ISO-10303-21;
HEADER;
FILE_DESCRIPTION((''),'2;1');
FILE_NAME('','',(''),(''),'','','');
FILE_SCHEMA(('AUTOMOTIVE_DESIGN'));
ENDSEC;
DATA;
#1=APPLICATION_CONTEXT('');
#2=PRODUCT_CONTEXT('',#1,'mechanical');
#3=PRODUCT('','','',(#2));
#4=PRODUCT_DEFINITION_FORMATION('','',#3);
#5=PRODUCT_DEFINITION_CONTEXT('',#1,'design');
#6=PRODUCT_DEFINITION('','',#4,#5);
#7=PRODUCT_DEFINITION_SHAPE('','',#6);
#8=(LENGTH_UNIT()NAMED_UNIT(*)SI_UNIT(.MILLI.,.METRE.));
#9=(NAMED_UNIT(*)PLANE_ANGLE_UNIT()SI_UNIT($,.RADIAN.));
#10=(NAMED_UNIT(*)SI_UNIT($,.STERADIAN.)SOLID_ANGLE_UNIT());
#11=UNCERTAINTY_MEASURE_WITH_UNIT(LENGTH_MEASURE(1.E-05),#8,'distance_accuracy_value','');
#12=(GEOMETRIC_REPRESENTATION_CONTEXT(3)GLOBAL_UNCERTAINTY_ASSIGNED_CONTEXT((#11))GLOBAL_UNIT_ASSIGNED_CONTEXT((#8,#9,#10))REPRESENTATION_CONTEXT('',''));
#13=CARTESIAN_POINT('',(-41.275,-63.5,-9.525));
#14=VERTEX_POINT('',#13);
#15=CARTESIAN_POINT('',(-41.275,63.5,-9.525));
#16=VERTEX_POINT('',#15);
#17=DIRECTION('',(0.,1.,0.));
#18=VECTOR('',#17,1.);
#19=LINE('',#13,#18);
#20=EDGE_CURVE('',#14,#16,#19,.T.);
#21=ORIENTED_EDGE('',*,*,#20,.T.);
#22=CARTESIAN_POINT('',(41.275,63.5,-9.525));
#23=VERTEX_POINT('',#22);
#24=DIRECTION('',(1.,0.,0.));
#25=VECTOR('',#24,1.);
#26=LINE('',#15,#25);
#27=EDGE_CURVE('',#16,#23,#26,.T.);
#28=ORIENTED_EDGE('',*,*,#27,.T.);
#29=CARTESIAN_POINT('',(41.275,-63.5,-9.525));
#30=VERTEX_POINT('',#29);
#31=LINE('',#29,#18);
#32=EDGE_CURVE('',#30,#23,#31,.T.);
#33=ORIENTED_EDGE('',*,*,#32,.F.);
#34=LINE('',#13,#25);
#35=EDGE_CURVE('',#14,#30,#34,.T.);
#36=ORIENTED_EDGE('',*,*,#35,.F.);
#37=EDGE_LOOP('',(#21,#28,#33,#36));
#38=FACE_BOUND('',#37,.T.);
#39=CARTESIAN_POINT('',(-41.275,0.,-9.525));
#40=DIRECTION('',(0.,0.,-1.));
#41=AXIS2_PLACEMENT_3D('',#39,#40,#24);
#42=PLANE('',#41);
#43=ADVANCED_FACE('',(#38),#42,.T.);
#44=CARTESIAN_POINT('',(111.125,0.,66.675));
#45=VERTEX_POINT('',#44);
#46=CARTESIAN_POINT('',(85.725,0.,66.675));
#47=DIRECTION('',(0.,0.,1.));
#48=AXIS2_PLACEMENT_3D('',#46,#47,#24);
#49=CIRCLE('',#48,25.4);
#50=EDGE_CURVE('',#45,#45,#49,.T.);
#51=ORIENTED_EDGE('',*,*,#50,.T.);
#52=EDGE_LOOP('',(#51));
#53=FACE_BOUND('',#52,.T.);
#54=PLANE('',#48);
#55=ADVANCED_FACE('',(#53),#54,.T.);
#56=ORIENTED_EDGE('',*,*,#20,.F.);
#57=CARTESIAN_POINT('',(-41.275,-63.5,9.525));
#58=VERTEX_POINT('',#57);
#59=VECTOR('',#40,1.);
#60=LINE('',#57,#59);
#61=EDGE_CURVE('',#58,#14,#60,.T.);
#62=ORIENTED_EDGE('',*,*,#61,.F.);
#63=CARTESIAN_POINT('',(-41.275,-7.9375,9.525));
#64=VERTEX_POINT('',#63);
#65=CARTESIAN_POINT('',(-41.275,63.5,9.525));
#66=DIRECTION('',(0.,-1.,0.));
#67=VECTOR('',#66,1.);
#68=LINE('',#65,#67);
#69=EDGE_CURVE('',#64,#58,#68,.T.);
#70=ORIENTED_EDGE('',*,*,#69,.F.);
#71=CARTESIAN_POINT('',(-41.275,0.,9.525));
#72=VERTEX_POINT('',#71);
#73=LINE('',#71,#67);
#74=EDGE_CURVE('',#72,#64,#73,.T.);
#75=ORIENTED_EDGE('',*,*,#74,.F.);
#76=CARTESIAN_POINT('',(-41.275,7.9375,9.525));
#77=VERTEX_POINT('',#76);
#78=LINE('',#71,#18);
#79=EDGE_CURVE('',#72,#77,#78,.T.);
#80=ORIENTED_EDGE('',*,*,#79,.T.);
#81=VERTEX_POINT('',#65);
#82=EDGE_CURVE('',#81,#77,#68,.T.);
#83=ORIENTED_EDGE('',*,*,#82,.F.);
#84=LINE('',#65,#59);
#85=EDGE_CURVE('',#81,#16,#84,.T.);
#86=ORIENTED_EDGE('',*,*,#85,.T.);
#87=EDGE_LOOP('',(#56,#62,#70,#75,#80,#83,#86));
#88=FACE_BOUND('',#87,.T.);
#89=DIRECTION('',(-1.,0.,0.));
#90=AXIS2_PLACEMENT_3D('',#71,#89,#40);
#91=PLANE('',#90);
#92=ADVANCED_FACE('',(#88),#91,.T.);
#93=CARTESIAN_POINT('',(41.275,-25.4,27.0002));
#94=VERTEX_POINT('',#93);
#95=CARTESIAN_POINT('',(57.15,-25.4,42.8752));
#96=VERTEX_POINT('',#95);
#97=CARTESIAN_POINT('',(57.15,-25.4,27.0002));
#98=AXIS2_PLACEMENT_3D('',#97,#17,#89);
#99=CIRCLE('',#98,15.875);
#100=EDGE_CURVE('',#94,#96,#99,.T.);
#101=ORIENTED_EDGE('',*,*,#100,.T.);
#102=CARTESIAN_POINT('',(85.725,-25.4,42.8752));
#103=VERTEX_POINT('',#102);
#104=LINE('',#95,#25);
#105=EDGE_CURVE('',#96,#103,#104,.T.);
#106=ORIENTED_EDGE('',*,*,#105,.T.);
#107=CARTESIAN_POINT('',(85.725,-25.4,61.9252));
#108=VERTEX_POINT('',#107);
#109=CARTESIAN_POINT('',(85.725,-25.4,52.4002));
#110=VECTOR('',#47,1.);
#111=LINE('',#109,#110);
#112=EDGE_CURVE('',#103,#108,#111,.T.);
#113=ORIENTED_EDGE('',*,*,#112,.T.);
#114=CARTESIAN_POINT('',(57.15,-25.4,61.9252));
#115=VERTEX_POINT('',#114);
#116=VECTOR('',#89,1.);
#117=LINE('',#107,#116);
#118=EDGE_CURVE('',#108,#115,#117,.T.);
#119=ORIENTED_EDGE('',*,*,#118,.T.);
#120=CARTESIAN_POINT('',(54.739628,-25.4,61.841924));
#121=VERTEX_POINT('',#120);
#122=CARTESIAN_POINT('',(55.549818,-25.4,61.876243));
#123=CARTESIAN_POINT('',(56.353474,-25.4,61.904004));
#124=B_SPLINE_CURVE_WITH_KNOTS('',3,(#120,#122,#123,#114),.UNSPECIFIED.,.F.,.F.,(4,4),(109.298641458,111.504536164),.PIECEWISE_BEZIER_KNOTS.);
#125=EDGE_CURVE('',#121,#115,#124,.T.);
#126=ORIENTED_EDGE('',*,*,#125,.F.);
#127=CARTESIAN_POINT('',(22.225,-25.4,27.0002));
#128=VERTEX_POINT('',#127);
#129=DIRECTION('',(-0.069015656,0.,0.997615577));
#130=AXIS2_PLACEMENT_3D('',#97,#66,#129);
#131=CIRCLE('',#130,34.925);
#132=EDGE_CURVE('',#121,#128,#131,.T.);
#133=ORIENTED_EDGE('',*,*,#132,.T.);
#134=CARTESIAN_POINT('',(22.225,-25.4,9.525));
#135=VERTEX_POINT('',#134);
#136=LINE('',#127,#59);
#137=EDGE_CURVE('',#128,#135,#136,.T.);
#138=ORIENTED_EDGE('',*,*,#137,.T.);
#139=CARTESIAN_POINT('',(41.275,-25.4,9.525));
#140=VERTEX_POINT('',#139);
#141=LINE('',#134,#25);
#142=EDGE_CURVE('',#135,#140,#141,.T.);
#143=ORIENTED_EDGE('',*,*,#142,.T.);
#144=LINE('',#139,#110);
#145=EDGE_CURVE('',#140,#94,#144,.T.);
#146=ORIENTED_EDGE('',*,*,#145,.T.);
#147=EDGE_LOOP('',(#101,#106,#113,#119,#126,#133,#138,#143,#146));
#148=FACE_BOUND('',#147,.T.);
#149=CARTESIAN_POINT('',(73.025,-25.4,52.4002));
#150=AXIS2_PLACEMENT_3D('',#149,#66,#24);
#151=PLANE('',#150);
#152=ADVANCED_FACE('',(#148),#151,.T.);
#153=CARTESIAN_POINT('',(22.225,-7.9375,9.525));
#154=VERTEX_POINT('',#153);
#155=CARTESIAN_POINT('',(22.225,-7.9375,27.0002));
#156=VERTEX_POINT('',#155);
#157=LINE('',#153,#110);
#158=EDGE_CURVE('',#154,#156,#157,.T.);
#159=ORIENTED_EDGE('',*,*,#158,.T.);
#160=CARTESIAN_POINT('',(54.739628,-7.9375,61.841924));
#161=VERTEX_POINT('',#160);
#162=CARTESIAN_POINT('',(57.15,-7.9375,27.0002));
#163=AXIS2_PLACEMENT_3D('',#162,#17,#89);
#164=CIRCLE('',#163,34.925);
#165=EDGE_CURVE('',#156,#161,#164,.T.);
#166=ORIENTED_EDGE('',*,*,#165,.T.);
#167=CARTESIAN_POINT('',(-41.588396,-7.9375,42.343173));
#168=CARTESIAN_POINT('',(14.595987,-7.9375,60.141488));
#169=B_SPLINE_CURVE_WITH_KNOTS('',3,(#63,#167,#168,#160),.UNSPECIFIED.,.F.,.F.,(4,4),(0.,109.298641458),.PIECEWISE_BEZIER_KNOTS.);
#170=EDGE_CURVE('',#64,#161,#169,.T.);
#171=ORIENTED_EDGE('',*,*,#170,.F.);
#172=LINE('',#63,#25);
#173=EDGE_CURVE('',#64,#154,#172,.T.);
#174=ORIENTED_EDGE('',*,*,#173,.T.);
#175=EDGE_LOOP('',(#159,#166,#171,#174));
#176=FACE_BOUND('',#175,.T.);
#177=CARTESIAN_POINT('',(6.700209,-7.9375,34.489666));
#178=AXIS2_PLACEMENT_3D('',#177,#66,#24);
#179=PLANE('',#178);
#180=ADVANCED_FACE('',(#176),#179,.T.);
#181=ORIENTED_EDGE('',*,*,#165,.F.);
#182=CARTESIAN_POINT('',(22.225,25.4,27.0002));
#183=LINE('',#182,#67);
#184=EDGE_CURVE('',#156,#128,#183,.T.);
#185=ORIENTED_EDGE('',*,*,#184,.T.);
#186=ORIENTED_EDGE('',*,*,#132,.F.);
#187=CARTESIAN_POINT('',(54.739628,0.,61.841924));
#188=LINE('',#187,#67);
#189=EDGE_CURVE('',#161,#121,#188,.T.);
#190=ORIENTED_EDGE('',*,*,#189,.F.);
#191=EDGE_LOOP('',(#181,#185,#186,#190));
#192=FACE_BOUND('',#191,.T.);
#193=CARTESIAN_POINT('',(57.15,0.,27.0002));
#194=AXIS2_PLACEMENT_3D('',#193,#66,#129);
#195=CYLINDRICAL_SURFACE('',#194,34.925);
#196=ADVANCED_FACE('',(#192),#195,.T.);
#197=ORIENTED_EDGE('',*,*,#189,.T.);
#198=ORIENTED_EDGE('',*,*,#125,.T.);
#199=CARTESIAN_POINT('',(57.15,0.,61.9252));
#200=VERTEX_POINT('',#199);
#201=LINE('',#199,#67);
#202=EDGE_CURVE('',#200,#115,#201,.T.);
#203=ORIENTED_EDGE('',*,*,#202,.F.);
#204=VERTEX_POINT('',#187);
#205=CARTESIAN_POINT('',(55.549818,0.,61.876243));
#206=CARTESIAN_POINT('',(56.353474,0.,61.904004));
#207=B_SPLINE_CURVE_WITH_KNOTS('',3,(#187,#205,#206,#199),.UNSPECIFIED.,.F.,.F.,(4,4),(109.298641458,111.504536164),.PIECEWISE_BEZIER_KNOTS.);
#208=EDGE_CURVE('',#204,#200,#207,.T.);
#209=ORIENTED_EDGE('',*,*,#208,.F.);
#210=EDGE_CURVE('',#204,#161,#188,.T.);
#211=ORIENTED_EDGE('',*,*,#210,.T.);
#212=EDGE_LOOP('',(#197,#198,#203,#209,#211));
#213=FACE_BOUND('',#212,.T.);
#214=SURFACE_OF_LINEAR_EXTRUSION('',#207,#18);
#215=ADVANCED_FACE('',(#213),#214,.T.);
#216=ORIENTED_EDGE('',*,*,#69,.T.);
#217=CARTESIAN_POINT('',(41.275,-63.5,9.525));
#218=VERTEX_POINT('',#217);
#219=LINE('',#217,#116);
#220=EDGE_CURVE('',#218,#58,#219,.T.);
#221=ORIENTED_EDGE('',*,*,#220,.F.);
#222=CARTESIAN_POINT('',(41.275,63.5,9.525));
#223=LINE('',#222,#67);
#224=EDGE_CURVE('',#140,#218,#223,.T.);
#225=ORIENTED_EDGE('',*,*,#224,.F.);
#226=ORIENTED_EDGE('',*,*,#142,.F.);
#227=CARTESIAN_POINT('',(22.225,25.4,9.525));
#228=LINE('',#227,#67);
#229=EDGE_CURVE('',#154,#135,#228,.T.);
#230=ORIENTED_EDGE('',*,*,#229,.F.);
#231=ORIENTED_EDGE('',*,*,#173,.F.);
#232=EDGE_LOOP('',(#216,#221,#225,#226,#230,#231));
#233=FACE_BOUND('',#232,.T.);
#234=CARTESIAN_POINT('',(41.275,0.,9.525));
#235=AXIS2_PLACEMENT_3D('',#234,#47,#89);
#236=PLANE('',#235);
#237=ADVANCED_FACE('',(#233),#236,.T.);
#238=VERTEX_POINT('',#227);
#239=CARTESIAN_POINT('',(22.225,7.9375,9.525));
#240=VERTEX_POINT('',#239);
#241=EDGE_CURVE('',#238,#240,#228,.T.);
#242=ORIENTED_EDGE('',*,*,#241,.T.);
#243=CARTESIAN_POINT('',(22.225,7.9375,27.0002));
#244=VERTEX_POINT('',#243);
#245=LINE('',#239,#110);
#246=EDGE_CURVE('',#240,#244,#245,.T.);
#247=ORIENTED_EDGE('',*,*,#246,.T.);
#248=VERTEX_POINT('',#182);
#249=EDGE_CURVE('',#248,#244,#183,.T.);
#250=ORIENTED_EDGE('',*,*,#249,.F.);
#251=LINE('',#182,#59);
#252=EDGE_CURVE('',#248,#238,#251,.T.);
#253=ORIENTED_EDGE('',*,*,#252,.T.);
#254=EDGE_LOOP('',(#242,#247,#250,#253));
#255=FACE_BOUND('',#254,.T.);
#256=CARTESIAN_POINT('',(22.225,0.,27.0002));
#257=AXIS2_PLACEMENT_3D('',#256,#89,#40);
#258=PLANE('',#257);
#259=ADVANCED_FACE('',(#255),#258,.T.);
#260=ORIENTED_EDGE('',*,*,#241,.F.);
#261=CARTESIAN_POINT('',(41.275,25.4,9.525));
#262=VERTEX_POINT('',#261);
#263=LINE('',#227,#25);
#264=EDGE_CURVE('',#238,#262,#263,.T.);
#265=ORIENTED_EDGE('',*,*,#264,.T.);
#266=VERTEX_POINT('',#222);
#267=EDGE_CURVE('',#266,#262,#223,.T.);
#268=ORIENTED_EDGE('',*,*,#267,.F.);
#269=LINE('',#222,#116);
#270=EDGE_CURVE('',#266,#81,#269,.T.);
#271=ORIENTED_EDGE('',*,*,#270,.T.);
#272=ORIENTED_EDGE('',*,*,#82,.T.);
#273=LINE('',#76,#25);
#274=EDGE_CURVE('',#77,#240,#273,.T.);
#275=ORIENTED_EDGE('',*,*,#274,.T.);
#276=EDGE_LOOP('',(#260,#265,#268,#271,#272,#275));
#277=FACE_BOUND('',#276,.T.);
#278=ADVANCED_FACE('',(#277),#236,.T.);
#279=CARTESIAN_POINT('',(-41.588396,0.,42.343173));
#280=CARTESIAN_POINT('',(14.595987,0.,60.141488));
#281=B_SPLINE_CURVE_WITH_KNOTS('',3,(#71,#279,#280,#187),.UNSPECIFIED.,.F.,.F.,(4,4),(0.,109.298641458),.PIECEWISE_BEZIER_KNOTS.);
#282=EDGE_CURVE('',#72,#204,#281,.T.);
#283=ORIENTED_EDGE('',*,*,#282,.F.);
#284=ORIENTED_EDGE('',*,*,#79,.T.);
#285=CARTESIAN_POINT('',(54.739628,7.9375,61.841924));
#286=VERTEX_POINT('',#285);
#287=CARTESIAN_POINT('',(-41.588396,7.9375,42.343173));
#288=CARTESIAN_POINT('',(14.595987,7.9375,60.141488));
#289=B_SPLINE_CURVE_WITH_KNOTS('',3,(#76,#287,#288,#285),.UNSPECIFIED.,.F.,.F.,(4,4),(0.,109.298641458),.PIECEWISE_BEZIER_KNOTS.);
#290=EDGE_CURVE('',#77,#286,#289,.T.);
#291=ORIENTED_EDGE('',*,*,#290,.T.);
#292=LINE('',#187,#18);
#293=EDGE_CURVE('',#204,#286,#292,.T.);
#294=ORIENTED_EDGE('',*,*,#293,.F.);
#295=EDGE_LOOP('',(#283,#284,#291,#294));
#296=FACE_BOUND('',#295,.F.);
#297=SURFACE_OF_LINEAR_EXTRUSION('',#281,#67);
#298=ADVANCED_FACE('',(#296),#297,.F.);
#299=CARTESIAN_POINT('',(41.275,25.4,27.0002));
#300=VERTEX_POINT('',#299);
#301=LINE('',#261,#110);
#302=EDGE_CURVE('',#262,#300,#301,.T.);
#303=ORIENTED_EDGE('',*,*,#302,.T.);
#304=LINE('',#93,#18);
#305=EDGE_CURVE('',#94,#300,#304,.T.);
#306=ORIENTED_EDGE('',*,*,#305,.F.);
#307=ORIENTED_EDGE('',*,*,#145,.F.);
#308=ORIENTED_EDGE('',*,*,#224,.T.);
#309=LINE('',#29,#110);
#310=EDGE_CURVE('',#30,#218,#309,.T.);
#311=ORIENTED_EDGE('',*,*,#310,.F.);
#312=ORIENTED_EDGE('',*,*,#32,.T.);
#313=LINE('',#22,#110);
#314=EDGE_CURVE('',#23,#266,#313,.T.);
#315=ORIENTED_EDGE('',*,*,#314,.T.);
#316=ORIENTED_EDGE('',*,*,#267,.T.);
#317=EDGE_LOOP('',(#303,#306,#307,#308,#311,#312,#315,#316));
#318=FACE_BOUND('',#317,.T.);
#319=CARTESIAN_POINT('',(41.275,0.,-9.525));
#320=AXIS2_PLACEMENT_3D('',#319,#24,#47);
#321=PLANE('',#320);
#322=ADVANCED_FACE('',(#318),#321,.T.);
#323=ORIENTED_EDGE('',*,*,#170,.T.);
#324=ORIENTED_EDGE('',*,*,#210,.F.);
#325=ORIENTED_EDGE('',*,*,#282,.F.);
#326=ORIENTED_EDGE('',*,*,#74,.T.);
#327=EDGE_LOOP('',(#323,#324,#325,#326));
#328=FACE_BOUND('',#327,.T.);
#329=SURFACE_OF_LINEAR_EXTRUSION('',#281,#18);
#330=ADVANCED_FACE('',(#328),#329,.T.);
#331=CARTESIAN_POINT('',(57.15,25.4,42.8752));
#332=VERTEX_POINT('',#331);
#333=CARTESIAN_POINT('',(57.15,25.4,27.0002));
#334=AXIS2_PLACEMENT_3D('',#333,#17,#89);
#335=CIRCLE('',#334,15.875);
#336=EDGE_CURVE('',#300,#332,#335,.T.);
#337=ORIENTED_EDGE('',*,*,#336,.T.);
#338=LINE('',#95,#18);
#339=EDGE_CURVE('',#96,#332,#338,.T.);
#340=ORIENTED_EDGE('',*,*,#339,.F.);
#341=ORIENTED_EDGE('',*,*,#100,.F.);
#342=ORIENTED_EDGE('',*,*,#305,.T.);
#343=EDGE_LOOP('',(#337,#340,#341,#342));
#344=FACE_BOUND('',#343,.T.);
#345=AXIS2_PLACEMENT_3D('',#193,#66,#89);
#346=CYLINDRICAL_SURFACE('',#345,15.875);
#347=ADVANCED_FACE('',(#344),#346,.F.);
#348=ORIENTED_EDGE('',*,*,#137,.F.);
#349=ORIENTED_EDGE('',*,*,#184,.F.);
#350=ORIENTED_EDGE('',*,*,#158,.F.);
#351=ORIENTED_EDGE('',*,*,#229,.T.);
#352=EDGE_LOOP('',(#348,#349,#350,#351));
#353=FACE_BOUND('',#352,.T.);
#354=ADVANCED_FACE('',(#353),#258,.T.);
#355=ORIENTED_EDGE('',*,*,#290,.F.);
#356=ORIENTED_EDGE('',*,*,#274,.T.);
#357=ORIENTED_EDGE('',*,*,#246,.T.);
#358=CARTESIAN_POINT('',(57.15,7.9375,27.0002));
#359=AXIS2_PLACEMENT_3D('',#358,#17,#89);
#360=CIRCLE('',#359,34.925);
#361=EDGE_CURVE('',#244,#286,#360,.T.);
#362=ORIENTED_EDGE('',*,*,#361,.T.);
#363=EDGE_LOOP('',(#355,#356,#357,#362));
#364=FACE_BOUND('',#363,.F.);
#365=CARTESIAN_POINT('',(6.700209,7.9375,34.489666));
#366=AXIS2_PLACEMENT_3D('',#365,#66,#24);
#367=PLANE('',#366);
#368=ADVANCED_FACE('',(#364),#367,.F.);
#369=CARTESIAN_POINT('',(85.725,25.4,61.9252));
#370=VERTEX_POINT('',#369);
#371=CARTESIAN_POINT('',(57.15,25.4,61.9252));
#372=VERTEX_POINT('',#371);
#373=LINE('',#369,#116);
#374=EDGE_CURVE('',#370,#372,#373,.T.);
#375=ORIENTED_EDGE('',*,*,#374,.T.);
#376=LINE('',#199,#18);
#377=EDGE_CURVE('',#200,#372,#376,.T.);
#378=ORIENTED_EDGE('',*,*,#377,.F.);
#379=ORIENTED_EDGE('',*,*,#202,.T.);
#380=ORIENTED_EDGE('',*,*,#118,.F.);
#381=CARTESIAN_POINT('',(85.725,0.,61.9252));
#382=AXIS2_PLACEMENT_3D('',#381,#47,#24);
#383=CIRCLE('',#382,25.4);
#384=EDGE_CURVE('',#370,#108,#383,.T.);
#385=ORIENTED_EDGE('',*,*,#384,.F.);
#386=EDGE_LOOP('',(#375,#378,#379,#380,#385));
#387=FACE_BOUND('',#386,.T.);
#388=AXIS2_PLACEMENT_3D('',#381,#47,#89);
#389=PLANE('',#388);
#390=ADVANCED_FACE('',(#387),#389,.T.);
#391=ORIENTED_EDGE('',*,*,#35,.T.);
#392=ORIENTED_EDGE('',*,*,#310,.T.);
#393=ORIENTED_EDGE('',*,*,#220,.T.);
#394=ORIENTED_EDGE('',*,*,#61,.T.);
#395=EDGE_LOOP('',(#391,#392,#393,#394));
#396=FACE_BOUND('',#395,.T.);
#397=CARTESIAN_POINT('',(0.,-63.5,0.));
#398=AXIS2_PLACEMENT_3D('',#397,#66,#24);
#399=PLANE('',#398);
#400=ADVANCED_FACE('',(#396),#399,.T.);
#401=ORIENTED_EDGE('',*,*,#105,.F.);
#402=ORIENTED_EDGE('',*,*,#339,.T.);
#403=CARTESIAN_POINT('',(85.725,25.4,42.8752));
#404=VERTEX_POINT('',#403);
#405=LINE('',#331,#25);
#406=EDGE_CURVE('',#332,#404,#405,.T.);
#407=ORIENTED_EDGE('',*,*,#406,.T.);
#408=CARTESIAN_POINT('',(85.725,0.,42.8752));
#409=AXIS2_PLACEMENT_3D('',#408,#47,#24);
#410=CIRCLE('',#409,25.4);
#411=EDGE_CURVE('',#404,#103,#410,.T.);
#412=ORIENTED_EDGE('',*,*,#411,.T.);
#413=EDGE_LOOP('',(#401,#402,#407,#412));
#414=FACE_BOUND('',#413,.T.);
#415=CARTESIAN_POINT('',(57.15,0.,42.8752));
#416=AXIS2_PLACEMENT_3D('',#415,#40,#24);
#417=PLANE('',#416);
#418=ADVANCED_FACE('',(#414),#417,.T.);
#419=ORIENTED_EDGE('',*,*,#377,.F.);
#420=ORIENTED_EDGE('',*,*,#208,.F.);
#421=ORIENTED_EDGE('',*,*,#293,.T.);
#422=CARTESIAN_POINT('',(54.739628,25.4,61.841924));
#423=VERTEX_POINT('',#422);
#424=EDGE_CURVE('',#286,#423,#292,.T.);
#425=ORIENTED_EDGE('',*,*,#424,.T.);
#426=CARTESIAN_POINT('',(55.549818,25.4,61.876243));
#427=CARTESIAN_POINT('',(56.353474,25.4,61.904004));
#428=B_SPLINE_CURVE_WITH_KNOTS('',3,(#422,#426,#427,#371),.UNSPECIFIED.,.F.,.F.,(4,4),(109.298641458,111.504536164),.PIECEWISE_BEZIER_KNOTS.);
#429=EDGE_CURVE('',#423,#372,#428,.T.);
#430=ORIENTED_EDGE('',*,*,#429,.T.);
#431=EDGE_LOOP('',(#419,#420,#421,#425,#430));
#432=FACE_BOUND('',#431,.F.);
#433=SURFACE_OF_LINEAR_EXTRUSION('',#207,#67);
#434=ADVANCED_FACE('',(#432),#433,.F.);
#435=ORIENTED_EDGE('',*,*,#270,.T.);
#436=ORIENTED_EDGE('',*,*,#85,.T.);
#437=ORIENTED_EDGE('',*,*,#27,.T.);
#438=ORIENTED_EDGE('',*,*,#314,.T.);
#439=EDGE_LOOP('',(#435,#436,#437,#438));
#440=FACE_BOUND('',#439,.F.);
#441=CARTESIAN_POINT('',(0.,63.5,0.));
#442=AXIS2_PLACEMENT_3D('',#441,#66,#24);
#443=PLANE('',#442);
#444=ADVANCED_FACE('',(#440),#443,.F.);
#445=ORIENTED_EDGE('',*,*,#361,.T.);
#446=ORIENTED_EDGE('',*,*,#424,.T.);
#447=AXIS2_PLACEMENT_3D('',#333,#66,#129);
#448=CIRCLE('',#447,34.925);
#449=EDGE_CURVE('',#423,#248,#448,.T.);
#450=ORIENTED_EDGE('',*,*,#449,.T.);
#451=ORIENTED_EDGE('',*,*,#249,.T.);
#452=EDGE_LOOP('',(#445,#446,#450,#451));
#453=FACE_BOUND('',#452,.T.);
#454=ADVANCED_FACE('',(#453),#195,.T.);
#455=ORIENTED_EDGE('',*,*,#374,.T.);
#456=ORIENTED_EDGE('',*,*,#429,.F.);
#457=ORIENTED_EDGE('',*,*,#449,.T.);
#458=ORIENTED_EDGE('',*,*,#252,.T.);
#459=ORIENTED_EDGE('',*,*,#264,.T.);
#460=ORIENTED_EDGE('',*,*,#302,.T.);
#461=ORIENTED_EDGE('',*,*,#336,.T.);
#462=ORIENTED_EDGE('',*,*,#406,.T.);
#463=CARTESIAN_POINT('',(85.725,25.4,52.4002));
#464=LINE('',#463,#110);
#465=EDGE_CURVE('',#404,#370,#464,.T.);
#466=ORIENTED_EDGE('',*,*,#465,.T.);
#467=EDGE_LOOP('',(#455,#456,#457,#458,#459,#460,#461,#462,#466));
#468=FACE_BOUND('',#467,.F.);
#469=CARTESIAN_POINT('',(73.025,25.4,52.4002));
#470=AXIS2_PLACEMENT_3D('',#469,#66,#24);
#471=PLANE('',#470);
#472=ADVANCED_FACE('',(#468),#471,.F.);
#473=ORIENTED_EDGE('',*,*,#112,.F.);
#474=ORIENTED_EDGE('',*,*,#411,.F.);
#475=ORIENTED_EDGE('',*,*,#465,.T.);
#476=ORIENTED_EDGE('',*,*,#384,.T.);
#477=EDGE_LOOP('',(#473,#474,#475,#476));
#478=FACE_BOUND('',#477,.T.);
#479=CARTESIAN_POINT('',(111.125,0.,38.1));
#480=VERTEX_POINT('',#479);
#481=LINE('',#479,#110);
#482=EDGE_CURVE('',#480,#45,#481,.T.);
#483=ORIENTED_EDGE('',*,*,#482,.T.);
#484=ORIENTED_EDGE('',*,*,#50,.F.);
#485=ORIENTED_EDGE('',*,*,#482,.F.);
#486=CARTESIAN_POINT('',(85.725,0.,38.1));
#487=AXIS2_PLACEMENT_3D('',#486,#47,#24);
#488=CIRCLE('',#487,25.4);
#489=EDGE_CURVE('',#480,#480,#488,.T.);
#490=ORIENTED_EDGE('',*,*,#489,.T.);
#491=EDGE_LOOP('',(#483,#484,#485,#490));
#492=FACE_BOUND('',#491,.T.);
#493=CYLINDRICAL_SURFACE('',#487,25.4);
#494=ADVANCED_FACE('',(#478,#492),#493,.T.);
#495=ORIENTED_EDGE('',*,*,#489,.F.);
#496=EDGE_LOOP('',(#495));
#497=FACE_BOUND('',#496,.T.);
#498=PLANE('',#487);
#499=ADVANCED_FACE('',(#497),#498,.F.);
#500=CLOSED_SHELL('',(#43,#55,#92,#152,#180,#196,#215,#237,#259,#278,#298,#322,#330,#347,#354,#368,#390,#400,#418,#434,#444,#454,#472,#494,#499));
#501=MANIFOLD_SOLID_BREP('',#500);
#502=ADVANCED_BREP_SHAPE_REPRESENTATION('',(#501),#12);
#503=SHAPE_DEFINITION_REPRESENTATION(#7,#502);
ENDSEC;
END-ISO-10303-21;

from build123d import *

# Parameters (mm, degrees)
F1_DEPTH = 63.5
F0_W     = 25.4
F0_H     = 19.05
F2_DEPTH = 25.4
F3_DEPTH = 7.9375


with BuildPart() as f1:
    # F0 (on Front) → F1 (new body, symmetric)
    with BuildSketch(Plane.XZ):
        Polygon((41.275, -9.525), (41.275, 9.525), (22.225, 9.525), (-41.275, 9.525), (-41.275, -9.525), align=None)
    extrude(amount=F1_DEPTH, both=True)

    # F0 (on Front) → F2 (join, symmetric)
    with BuildSketch(Plane.XZ):
        with Locations((73.025, 52.4002)):
            Rectangle(F0_W, F0_H)
        with BuildLine():
            Line((22.225, 9.525), (41.275, 9.525))
            Line((41.275, 9.525), (41.275, 27.0002))
            ThreePointArc((41.275, 27.0002), (45.9246798487, 38.2255201513), (57.15, 42.8752))
            Line((57.15, 42.8752), (60.325, 42.8752))
            Line((60.325, 42.8752), (60.325, 61.9252))
            Line((60.325, 61.9252), (57.15, 61.9252))
            add(Edge.make_bspline(
                [(54.7396282089, 61.841924022), (55.5498180251, 61.8762426879), (56.3534740618, 61.9040043012), (57.15, 61.9252)],
                knots=[109.298641458, 109.298641458, 109.298641458, 109.298641458, 111.5045361635, 111.5045361635, 111.5045361635, 111.5045361635], degree=3))
            ThreePointArc((54.7396282089, 61.841924022), (31.6163177371, 50.828475118), (22.225, 27.0002))
            Line((22.225, 27.0002), (22.225, 9.525))
        make_face()
    extrude(amount=F2_DEPTH, both=True)

    # F0 (on Front) → F3 (join, symmetric)
    with BuildSketch(Plane.XZ):
        with BuildLine():
            Line((-41.275, 9.525), (22.225, 9.525))
            Line((22.225, 9.525), (22.225, 27.0002))
            ThreePointArc((22.225, 27.0002), (31.6163177371, 50.828475118), (54.7396282089, 61.841924022))
            add(Edge.make_bspline(
                [(-41.275, 9.525), (-41.5883963276, 42.3431733754), (14.595986714, 60.1414876679), (54.7396282089, 61.841924022)],
                knots=[0, 0, 0, 0, 109.298641458, 109.298641458, 109.298641458, 109.298641458], degree=3))
        make_face()
    extrude(amount=F3_DEPTH, both=True)

    # F0 (on Front) → F4 (revolve)
    with BuildSketch(Plane.XZ):
        Polygon((85.725, 61.9252), (85.725, 42.8752), (85.725, 38.1), (111.125, 38.1), (111.125, 66.675), (85.725, 66.675), align=None)
    revolve(axis=Axis((85.725, 0, 52.3875), (0, 0, 1)))


solid = f1.part
